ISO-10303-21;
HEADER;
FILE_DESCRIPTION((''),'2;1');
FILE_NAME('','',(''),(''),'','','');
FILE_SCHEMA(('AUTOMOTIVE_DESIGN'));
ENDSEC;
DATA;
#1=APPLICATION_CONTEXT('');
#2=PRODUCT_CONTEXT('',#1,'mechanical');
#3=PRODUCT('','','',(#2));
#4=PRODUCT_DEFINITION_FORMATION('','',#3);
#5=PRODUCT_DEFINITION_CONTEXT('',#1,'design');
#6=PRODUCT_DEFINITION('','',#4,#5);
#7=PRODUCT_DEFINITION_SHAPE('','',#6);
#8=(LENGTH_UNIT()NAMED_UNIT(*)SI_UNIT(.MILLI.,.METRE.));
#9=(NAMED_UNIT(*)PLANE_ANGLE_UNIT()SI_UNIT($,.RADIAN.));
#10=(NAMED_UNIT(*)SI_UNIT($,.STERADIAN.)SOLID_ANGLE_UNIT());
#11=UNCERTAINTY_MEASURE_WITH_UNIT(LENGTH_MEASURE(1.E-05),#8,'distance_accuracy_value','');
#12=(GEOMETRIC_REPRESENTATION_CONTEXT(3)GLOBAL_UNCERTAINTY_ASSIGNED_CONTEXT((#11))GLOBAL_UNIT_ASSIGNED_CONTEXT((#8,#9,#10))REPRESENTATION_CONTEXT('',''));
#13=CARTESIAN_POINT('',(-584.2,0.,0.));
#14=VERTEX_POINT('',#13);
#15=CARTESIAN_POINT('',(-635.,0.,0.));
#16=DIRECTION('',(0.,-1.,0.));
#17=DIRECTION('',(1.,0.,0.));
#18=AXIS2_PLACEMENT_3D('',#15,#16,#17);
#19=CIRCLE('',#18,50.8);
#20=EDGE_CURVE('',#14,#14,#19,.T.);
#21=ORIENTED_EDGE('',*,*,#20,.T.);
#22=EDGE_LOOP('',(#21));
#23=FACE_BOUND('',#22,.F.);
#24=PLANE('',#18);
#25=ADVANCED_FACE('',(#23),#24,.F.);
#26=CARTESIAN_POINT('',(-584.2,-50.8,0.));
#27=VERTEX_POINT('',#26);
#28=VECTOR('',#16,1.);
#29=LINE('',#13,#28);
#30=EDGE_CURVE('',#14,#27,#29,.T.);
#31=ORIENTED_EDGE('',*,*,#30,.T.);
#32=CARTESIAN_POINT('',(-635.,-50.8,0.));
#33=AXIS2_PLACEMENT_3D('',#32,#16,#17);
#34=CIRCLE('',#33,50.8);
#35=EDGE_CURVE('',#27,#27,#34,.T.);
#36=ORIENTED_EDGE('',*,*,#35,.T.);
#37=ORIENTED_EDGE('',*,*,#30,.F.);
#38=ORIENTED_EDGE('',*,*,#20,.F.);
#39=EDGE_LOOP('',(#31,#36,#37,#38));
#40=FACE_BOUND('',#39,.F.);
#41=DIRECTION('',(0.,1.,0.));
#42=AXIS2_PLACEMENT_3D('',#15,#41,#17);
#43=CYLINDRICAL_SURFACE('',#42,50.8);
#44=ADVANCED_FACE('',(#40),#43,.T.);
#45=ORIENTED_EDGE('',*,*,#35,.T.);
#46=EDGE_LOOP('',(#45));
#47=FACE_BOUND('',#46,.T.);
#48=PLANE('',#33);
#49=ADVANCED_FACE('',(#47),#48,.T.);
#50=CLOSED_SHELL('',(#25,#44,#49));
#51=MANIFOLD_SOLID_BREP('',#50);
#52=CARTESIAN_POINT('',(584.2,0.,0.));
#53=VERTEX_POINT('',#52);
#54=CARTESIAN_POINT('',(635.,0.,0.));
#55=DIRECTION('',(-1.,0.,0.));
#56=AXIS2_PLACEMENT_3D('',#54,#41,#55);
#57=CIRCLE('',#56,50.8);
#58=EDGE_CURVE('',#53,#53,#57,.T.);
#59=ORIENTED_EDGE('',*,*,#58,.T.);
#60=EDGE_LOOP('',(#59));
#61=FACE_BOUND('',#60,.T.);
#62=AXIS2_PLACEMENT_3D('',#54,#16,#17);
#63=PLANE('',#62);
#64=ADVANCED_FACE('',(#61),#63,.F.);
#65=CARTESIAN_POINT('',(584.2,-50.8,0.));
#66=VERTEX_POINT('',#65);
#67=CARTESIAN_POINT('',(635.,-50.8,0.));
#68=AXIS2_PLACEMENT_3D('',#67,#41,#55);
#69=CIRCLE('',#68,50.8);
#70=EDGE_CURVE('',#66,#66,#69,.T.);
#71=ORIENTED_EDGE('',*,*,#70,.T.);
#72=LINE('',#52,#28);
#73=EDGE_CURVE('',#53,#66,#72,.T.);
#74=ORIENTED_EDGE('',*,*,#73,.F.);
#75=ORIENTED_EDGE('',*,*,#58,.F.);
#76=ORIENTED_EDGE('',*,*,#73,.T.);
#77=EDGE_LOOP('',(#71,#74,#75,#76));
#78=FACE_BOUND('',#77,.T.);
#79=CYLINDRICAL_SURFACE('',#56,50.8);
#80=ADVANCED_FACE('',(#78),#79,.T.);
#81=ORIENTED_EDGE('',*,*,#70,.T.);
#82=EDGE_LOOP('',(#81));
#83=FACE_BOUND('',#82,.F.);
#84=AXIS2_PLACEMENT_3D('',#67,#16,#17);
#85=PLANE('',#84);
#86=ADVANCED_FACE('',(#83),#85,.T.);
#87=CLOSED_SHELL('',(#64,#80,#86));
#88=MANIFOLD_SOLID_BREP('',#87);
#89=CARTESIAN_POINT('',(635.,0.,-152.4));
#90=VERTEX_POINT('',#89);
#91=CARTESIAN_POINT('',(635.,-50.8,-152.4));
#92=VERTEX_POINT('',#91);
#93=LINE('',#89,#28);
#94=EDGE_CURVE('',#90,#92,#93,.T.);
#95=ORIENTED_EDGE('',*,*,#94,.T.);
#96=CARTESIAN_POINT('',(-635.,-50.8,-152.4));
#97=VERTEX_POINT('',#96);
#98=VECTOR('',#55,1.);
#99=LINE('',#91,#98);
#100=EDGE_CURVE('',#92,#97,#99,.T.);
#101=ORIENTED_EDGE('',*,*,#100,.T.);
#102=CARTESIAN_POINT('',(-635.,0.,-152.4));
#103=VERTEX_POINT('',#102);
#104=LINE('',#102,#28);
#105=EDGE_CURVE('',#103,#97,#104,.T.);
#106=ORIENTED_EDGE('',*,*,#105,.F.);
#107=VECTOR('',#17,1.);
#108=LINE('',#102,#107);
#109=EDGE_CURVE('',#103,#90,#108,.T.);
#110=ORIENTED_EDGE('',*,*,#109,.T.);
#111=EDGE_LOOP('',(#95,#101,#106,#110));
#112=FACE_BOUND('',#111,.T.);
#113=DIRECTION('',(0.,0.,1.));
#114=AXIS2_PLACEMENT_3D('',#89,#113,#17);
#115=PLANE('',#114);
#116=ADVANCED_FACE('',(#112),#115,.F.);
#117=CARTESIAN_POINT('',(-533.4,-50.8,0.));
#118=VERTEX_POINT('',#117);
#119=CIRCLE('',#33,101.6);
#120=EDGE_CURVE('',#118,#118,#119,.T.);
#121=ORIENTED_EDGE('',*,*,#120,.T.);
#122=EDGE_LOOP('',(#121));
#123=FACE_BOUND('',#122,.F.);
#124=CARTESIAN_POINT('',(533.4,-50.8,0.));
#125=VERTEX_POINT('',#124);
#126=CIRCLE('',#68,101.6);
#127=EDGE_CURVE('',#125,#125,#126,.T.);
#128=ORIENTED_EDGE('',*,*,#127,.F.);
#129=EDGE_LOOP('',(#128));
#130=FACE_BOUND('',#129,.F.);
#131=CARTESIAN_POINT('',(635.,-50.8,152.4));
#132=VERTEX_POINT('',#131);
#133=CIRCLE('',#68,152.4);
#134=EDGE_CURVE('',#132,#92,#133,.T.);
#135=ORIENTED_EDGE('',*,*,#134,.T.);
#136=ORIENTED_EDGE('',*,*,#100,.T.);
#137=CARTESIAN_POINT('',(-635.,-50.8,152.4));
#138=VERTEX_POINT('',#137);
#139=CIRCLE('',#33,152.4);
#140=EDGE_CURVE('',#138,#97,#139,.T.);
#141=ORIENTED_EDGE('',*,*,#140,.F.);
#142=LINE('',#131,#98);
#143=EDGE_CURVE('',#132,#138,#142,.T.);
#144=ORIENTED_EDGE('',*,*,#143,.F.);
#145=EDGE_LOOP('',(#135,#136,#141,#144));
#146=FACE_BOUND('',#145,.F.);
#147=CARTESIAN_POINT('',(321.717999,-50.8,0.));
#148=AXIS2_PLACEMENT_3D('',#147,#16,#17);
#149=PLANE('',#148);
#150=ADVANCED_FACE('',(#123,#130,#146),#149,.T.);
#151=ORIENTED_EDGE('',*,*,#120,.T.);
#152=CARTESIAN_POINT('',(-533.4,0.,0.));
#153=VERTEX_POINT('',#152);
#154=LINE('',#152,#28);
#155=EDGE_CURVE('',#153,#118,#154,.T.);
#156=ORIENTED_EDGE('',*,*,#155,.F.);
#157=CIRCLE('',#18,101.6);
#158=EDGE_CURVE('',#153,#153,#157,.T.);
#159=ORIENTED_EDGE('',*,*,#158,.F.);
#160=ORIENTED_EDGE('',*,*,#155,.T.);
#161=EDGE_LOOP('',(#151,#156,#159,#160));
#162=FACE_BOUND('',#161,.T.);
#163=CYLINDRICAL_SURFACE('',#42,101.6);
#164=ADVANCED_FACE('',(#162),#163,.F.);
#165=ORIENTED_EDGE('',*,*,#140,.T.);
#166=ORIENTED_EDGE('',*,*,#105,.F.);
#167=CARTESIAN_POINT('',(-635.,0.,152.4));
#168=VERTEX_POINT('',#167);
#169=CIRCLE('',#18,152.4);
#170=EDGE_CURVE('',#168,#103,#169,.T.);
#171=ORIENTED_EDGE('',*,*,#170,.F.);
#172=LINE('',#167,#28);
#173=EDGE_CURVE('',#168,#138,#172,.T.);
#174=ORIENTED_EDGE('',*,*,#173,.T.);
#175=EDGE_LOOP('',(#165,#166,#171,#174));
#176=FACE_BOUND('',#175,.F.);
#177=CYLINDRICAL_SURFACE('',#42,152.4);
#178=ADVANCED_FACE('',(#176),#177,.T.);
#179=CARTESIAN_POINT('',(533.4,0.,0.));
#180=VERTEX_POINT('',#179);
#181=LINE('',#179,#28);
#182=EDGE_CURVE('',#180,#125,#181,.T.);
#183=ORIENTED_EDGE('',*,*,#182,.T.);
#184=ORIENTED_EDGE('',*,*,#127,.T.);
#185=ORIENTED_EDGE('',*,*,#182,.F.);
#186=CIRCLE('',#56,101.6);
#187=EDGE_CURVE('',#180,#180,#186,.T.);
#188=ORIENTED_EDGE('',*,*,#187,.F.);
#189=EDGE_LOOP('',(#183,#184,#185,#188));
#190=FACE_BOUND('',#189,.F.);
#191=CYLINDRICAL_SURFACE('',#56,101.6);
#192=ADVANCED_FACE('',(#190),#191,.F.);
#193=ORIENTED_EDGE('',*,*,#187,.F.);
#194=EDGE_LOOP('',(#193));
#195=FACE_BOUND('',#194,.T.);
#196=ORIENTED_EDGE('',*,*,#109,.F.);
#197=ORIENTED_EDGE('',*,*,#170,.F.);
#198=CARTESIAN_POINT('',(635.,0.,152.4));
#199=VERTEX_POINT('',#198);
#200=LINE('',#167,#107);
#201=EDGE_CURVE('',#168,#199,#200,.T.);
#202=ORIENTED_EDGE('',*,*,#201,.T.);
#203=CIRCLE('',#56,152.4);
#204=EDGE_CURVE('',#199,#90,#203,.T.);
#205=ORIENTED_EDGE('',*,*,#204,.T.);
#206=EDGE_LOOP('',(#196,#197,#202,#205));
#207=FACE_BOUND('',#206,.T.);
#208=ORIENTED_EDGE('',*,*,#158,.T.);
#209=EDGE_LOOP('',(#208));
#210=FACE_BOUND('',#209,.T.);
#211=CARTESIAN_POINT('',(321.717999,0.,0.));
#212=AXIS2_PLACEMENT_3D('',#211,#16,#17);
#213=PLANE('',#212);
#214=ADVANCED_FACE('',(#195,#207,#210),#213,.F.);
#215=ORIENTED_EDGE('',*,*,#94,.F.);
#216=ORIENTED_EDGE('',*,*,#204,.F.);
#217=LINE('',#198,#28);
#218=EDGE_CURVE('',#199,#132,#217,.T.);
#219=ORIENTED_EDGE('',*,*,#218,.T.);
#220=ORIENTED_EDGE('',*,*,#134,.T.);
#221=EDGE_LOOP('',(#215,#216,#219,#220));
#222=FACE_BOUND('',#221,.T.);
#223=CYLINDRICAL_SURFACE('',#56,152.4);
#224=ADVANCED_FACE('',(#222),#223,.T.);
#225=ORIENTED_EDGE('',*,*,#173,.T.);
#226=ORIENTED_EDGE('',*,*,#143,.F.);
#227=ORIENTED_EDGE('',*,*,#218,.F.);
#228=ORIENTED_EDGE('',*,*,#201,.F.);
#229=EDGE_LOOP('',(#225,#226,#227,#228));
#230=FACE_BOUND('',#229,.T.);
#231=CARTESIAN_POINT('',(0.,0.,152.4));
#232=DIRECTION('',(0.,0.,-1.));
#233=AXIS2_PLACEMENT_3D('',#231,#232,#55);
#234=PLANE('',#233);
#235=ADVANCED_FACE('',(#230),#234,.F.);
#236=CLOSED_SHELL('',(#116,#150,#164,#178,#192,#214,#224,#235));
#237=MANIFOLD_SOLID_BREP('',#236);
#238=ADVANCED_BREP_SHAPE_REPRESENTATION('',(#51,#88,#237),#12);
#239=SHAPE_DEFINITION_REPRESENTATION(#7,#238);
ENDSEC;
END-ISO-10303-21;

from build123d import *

# Parameters (mm, degrees)
F0_R     = 50.8
F1_DEPTH = 50.8
F0_R_2   = 101.6


with BuildPart() as f1:
    # F0 (on Front) → F1 (new body)
    with BuildSketch(Plane.XZ):
        with Locations((-635, 0)):
            Circle(F0_R)
    extrude(amount=F1_DEPTH)


with BuildPart() as f1b:
    # F0 (on Front) → F1, piece 2 (new body)
    with BuildSketch(Plane.XZ):
        with BuildLine():
            ThreePointArc((-635, 152.4), (-527.2369265472, 107.7630734528), (-482.6, 0))
            ThreePointArc((-482.6, 0), (-527.2369265472, -107.7630734528), (-635, -152.4))
            Line((-635, -152.4), (0, -152.4))
            Line((0, -152.4), (0, 152.4))
            Line((0, 152.4), (-635, 152.4))
        make_face()
        with BuildLine():
            ThreePointArc((-635, -152.4), (-527.2369265472, -107.7630734528), (-482.6, 0))
            ThreePointArc((-482.6, 0), (-527.2369265472, 107.7630734528), (-635, 152.4))
            ThreePointArc((-635, 152.4), (-787.4, 0), (-635, -152.4))
        make_face()
        with Locations((-635, 0)):
            Circle(F0_R_2, mode=Mode.SUBTRACT)
    extrude(amount=F1_DEPTH)

    # F2: F1b, F1 across face


with BuildPart() as f1b_1:
    add(f1b.part)
    add(f1b.part.mirror(Plane(origin=(0, -25.4, 0), x_dir=(0, 1, 0), z_dir=(1, 0, 0))))
    add(f1.part.mirror(Plane(origin=(0, -25.4, 0), x_dir=(0, 1, 0), z_dir=(1, 0, 0))))


solid = Compound([f1.part, f1b_1.part])
